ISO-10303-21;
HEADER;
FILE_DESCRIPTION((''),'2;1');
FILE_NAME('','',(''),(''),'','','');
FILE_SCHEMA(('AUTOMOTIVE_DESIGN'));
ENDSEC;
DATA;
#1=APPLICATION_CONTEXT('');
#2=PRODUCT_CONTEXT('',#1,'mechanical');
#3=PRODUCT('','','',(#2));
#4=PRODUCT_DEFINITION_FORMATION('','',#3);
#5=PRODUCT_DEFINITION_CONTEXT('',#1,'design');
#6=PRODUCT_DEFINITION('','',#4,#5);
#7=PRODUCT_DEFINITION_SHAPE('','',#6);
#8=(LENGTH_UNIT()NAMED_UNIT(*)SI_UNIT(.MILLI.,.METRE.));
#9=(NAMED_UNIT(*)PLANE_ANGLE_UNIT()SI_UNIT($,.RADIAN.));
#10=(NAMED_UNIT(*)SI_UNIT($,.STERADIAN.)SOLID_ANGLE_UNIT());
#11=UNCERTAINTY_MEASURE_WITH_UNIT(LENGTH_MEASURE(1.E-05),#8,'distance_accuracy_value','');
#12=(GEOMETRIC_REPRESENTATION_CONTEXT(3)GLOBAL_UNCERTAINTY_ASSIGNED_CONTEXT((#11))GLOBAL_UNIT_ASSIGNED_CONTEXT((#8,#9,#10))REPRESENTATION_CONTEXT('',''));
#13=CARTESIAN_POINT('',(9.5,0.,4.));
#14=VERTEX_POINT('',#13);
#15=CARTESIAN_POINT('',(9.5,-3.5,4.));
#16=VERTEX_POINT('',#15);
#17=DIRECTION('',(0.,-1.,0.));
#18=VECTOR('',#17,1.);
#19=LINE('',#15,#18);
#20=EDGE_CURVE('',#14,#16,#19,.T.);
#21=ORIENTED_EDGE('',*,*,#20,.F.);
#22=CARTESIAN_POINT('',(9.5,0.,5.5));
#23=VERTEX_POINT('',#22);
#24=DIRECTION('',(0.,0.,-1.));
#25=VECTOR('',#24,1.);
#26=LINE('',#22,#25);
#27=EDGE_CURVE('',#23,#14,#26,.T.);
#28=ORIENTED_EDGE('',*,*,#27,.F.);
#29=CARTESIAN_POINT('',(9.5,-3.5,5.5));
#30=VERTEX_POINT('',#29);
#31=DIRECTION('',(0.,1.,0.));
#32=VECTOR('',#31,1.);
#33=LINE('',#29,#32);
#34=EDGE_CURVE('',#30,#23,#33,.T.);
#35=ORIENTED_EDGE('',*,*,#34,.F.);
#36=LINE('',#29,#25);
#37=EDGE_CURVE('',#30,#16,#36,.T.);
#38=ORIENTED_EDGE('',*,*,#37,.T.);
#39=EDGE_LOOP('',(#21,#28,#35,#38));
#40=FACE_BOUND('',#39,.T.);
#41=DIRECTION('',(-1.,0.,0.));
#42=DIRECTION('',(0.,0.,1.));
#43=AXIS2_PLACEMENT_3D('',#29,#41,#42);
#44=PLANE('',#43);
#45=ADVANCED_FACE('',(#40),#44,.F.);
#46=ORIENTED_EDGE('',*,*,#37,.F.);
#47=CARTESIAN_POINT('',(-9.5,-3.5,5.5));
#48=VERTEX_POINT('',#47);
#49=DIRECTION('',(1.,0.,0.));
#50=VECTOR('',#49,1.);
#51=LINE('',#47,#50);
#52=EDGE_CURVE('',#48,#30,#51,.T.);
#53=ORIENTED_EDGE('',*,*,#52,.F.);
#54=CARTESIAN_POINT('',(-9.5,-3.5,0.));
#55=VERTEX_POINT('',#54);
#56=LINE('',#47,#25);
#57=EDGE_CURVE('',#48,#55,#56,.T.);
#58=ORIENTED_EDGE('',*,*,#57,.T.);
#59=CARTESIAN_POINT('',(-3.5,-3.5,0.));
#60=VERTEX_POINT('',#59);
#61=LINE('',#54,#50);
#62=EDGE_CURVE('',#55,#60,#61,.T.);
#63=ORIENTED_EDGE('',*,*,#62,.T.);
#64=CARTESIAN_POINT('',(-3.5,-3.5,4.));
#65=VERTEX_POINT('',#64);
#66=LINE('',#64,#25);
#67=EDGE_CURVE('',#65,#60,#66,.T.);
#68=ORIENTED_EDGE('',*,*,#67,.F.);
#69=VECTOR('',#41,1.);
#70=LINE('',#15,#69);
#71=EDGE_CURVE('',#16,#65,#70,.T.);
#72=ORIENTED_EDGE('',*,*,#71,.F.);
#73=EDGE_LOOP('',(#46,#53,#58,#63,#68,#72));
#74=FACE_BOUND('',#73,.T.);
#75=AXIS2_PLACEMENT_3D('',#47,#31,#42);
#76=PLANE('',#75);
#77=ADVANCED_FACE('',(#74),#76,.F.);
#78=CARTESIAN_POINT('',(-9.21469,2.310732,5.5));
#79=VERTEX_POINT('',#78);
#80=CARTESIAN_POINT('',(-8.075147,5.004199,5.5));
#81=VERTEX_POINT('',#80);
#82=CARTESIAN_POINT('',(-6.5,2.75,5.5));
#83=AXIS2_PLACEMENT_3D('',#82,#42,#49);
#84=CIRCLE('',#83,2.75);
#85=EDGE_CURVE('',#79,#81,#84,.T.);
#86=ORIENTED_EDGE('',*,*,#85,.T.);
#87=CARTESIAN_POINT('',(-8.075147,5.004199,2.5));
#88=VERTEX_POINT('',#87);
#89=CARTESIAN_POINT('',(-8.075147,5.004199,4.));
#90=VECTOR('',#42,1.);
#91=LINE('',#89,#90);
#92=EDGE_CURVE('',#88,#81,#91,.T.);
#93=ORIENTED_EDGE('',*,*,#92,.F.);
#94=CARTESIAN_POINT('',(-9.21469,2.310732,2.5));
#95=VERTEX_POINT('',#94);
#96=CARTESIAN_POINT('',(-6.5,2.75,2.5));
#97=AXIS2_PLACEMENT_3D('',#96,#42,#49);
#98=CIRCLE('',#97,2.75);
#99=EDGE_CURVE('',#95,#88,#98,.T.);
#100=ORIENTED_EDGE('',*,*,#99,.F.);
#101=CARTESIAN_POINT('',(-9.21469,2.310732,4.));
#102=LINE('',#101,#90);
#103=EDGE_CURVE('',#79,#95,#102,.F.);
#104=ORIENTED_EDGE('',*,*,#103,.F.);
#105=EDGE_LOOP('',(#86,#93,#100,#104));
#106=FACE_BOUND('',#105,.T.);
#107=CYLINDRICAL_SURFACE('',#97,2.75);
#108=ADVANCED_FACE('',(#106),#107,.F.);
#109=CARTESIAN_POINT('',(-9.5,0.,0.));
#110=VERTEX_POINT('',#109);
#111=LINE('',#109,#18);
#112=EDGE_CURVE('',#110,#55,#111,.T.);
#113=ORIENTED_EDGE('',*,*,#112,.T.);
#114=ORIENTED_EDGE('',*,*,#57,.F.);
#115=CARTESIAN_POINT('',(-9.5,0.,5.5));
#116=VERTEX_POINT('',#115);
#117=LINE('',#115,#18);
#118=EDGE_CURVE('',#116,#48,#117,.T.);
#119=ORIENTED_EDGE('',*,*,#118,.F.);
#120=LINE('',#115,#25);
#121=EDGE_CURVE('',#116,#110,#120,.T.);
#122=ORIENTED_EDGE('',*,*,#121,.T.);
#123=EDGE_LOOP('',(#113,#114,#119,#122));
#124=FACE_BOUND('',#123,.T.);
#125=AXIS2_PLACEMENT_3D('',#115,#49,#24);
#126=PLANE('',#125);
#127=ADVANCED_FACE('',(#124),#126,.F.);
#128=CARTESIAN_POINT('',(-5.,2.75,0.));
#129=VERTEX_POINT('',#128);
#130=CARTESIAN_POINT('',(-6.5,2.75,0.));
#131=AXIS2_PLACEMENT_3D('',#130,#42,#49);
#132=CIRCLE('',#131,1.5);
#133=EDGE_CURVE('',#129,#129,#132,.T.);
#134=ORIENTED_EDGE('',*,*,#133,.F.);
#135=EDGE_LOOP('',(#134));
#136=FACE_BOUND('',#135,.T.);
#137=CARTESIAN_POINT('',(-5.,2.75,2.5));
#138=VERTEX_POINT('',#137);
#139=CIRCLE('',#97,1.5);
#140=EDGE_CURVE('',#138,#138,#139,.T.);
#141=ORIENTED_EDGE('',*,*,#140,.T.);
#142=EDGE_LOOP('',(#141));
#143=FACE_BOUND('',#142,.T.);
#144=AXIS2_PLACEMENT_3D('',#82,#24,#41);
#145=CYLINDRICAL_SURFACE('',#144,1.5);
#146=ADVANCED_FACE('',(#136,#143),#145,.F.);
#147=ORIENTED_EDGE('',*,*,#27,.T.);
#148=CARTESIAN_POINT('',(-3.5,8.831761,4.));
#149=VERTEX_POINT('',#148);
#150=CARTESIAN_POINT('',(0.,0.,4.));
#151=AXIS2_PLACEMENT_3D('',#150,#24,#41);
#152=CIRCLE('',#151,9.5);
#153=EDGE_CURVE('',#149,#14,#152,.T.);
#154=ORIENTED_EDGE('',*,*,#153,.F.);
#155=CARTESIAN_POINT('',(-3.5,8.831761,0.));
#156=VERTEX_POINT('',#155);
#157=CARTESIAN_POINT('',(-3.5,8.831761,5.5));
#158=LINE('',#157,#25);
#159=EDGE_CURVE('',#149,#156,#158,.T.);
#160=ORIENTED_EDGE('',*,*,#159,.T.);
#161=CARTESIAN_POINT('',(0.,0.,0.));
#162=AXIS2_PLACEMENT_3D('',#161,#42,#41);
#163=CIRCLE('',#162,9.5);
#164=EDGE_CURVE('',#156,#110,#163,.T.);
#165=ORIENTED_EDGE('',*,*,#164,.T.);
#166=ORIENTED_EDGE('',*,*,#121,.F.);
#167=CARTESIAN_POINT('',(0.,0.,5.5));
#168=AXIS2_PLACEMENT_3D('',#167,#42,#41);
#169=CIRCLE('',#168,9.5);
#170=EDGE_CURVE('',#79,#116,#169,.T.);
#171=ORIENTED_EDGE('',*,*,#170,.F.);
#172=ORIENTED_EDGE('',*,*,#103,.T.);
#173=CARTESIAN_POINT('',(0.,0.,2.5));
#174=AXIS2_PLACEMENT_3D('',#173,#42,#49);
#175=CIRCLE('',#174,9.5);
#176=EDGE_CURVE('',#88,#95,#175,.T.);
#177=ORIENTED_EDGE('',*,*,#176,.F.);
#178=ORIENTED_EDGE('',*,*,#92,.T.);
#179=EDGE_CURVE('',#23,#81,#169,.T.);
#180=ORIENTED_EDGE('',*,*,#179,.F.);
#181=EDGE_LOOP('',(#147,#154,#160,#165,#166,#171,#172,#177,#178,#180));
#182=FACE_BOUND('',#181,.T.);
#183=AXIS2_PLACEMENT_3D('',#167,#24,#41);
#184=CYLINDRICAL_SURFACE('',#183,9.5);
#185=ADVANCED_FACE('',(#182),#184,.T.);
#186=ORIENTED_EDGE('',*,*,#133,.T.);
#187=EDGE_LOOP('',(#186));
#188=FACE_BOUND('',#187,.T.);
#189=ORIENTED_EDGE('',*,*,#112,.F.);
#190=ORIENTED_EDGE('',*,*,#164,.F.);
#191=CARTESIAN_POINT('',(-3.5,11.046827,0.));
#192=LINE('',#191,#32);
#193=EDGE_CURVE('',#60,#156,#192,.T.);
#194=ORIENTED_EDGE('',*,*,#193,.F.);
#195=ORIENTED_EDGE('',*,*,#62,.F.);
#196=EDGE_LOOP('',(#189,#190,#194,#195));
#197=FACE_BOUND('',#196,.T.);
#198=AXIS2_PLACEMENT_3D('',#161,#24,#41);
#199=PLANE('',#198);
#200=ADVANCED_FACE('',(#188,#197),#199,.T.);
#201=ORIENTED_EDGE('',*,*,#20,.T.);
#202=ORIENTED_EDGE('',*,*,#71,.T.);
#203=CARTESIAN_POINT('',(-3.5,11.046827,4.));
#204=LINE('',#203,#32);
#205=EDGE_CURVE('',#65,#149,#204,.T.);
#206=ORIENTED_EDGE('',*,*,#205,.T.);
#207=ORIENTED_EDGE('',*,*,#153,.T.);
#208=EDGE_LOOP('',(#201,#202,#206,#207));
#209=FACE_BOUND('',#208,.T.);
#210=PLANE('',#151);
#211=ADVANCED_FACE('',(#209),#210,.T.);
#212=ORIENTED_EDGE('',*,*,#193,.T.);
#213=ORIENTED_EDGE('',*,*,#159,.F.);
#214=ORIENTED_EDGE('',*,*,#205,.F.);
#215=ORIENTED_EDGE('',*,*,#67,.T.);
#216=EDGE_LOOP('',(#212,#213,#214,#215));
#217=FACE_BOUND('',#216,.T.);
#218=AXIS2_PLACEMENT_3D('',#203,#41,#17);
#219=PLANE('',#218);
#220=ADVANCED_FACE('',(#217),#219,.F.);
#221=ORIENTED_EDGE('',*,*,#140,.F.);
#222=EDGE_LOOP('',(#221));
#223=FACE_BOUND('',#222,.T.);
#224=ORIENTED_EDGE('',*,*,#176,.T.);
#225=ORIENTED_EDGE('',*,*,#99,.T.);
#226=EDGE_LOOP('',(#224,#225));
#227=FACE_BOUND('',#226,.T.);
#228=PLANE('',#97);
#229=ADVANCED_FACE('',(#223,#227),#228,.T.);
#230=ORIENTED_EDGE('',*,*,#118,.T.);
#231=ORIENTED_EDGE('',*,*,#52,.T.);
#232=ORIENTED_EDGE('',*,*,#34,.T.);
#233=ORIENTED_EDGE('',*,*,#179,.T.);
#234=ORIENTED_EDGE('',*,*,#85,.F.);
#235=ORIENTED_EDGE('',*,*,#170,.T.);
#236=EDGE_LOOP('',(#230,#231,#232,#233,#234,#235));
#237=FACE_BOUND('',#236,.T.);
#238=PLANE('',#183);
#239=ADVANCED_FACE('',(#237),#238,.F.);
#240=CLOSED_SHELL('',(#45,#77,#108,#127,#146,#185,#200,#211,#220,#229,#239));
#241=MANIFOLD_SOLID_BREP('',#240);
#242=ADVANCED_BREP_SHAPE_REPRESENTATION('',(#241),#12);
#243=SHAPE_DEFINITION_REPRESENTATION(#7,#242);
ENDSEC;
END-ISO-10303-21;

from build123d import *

# Parameters (mm, degrees)
ESBO_O1_R                = 1.5
RESSALTO_EXTRUS_O1_DEPTH = 5.5
ESBO_O2_W                = 13
ESBO_O2_H                = 14.546827215
CORTE_EXTRUS_O1_DEPTH    = 4
ESBO_O3_R                = 2.75
CORTE_EXTRUS_O2_DEPTH    = 3


with BuildPart() as part:
    # Esboço1 → Ressalto-extrusão1 (new body)
    with BuildSketch(Plane.XY):
        with BuildLine():
            Line((-9.5, 0), (-9.5, -3.5))
            Line((-9.5, -3.5), (9.5, -3.5))
            Line((9.5, -3.5), (9.5, 0))
            ThreePointArc((9.5, 0), (0, 9.5), (-9.5, 0))
        make_face()
        with Locations((-6.5, 2.75)):
            Circle(ESBO_O1_R, mode=Mode.SUBTRACT)
    extrude(amount=RESSALTO_EXTRUS_O1_DEPTH)

    # Esboço2 → Corte-extrusão1 (cut)
    with BuildSketch(Plane(origin=(0, 0, 0), x_dir=(-1, 0, 0), z_dir=(0, 0, -1))):
        with Locations((-3, 3.773413608)):
            Rectangle(ESBO_O2_W, ESBO_O2_H)
    extrude(amount=-CORTE_EXTRUS_O1_DEPTH, mode=Mode.SUBTRACT)

    # Esboço3 → Corte-extrusão2 (cut)
    with BuildSketch(Plane.XY.offset(5.5)):
        with Locations((-6.5, 2.75)):
            Circle(ESBO_O3_R)
    extrude(amount=-CORTE_EXTRUS_O2_DEPTH, mode=Mode.SUBTRACT)


solid = part.part
